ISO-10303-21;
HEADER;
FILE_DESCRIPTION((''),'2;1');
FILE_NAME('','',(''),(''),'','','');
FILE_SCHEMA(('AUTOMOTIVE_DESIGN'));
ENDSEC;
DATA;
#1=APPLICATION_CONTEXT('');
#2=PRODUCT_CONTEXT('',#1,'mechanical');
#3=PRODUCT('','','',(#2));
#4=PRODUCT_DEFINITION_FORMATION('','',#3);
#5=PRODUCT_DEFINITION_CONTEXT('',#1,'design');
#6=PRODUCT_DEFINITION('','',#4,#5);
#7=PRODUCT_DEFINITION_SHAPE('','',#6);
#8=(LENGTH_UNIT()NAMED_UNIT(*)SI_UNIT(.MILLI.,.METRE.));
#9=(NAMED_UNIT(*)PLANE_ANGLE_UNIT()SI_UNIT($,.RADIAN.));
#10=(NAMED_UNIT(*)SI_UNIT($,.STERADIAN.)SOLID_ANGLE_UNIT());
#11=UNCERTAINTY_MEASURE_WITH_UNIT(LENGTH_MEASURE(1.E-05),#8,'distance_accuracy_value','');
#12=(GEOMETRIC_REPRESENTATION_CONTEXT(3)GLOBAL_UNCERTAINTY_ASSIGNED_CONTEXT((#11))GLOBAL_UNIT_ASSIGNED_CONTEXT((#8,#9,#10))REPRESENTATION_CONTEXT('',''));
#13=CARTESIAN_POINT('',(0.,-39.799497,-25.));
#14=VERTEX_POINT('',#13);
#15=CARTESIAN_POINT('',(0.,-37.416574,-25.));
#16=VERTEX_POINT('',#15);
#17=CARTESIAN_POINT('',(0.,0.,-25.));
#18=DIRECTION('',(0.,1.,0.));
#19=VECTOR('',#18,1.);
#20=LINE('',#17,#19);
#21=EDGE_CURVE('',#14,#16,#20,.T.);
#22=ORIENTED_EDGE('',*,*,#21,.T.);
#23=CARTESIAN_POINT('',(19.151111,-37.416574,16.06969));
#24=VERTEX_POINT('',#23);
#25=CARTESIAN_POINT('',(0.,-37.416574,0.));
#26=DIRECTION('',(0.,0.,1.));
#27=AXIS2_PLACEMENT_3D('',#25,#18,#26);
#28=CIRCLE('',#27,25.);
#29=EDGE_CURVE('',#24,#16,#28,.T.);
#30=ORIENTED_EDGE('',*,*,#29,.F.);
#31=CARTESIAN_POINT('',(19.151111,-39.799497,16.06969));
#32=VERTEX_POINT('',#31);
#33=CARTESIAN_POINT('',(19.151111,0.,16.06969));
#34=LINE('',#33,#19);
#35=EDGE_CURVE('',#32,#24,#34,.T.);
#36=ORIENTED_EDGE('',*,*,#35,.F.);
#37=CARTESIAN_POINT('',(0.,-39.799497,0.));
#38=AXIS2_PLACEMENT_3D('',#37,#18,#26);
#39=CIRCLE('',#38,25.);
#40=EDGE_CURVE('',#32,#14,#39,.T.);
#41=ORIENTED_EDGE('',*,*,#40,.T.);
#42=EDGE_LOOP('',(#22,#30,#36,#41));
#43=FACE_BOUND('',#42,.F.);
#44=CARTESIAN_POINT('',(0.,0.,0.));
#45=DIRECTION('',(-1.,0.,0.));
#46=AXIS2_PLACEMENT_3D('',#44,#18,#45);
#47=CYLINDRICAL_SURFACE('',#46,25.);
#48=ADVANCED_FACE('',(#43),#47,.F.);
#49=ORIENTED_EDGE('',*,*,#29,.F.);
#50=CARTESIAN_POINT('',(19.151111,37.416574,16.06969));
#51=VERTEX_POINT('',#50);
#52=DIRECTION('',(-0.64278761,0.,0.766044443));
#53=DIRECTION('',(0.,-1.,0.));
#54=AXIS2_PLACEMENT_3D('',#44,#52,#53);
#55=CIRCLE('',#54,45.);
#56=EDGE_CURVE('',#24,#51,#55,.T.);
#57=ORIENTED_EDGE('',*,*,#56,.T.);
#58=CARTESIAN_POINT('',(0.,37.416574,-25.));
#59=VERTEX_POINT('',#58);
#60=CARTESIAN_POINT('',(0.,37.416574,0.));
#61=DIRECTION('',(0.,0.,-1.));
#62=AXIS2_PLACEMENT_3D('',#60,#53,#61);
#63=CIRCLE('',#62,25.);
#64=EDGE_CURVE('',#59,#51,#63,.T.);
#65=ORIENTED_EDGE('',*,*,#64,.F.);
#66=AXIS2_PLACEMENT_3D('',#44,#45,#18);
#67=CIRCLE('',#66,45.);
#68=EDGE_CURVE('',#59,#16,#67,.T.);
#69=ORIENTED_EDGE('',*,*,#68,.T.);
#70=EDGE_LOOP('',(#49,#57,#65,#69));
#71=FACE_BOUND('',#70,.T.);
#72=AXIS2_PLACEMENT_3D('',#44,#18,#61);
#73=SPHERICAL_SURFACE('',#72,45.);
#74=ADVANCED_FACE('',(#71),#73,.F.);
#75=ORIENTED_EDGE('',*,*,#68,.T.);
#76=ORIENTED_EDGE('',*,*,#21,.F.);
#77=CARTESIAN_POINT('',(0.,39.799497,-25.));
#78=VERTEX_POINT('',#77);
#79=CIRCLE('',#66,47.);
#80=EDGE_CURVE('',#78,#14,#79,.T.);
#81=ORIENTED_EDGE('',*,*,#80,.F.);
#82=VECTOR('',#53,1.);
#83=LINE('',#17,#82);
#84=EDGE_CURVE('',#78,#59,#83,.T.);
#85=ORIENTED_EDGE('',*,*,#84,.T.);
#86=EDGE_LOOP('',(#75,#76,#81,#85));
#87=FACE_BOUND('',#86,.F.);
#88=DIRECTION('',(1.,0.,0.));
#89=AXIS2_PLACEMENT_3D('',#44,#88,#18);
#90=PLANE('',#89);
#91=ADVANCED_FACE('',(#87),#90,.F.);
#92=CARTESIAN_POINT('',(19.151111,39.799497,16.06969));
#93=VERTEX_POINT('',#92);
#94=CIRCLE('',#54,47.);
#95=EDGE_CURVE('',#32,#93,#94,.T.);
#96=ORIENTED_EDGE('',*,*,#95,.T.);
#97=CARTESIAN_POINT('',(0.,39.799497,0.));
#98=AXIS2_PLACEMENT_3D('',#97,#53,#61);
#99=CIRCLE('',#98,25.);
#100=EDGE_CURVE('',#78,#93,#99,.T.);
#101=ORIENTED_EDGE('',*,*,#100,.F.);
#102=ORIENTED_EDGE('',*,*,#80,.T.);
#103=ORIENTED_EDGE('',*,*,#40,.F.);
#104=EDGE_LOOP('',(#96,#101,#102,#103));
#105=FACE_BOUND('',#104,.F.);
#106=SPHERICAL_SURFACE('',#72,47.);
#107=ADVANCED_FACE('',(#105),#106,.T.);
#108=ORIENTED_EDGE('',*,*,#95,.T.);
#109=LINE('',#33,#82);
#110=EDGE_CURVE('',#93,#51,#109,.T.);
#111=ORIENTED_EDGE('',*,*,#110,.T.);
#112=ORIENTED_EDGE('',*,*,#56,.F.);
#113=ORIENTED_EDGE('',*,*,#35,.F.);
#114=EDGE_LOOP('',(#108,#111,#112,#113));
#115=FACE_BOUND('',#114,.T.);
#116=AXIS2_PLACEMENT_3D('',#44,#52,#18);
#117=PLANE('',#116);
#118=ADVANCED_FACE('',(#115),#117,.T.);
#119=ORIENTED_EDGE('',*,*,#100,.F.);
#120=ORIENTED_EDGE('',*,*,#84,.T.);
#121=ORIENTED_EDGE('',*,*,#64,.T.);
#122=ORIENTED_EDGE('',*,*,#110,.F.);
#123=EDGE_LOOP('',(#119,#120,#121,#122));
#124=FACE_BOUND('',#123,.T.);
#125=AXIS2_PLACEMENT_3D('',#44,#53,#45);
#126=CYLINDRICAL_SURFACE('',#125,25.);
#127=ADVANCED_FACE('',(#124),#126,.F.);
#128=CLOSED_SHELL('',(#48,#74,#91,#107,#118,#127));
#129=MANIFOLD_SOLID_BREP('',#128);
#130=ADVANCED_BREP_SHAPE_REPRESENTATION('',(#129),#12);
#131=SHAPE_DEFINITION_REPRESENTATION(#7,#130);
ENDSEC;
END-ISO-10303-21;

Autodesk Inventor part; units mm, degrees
ref_plane "YZ Plane" through (0, 0, 0) normal (1, 0, 0) x (0, 1, 0)
ref_plane "XZ Plane" through (0, 0, 0) normal (0, 1, 0) x (-1, 0, 0)
ref_plane "XY Plane" through (0, 0, 0) normal (0, 0, 1) x (1, 0, 0)
sketch "Sketch2" plane through (0, 0, 0) normal (1, 0, 0) x (0, 1, 0)
  arc A0 (-45, 0) -> (45, 0) centre (0, 0) ccw
  arc A1 (-47, 0) -> (47, 0) centre (0, 0) ccw
  line L0 (-45, 0) -> (-47, 0)
  line L1 (45, 0) -> (47, 0)
  line L2 (-65.8, 0) -> (65.8, 0) projected
  line L3 (0, -56.4) -> (0, 9.4) projected
  dimension "d8" = 2
  dimension "d9" = 45
revolve "Revolution1" add sketch "Sketch2" angle 130 about axis through (0, -10, 0) along (0, -1, 0) contours A0 L3 A1 L0 | A0 L1 A1 L3
sketch "Sketch3" plane through (0, 0, 0) normal (0, 1, 0) x (-1, 0, 0)
  circle A0 centre (0, 0) radius 25
  dimension "d12" = 50
extrude "Extrusion1" cut sketch "Sketch3" along normal mid plane 100
properties part number "Sphere_cover"
